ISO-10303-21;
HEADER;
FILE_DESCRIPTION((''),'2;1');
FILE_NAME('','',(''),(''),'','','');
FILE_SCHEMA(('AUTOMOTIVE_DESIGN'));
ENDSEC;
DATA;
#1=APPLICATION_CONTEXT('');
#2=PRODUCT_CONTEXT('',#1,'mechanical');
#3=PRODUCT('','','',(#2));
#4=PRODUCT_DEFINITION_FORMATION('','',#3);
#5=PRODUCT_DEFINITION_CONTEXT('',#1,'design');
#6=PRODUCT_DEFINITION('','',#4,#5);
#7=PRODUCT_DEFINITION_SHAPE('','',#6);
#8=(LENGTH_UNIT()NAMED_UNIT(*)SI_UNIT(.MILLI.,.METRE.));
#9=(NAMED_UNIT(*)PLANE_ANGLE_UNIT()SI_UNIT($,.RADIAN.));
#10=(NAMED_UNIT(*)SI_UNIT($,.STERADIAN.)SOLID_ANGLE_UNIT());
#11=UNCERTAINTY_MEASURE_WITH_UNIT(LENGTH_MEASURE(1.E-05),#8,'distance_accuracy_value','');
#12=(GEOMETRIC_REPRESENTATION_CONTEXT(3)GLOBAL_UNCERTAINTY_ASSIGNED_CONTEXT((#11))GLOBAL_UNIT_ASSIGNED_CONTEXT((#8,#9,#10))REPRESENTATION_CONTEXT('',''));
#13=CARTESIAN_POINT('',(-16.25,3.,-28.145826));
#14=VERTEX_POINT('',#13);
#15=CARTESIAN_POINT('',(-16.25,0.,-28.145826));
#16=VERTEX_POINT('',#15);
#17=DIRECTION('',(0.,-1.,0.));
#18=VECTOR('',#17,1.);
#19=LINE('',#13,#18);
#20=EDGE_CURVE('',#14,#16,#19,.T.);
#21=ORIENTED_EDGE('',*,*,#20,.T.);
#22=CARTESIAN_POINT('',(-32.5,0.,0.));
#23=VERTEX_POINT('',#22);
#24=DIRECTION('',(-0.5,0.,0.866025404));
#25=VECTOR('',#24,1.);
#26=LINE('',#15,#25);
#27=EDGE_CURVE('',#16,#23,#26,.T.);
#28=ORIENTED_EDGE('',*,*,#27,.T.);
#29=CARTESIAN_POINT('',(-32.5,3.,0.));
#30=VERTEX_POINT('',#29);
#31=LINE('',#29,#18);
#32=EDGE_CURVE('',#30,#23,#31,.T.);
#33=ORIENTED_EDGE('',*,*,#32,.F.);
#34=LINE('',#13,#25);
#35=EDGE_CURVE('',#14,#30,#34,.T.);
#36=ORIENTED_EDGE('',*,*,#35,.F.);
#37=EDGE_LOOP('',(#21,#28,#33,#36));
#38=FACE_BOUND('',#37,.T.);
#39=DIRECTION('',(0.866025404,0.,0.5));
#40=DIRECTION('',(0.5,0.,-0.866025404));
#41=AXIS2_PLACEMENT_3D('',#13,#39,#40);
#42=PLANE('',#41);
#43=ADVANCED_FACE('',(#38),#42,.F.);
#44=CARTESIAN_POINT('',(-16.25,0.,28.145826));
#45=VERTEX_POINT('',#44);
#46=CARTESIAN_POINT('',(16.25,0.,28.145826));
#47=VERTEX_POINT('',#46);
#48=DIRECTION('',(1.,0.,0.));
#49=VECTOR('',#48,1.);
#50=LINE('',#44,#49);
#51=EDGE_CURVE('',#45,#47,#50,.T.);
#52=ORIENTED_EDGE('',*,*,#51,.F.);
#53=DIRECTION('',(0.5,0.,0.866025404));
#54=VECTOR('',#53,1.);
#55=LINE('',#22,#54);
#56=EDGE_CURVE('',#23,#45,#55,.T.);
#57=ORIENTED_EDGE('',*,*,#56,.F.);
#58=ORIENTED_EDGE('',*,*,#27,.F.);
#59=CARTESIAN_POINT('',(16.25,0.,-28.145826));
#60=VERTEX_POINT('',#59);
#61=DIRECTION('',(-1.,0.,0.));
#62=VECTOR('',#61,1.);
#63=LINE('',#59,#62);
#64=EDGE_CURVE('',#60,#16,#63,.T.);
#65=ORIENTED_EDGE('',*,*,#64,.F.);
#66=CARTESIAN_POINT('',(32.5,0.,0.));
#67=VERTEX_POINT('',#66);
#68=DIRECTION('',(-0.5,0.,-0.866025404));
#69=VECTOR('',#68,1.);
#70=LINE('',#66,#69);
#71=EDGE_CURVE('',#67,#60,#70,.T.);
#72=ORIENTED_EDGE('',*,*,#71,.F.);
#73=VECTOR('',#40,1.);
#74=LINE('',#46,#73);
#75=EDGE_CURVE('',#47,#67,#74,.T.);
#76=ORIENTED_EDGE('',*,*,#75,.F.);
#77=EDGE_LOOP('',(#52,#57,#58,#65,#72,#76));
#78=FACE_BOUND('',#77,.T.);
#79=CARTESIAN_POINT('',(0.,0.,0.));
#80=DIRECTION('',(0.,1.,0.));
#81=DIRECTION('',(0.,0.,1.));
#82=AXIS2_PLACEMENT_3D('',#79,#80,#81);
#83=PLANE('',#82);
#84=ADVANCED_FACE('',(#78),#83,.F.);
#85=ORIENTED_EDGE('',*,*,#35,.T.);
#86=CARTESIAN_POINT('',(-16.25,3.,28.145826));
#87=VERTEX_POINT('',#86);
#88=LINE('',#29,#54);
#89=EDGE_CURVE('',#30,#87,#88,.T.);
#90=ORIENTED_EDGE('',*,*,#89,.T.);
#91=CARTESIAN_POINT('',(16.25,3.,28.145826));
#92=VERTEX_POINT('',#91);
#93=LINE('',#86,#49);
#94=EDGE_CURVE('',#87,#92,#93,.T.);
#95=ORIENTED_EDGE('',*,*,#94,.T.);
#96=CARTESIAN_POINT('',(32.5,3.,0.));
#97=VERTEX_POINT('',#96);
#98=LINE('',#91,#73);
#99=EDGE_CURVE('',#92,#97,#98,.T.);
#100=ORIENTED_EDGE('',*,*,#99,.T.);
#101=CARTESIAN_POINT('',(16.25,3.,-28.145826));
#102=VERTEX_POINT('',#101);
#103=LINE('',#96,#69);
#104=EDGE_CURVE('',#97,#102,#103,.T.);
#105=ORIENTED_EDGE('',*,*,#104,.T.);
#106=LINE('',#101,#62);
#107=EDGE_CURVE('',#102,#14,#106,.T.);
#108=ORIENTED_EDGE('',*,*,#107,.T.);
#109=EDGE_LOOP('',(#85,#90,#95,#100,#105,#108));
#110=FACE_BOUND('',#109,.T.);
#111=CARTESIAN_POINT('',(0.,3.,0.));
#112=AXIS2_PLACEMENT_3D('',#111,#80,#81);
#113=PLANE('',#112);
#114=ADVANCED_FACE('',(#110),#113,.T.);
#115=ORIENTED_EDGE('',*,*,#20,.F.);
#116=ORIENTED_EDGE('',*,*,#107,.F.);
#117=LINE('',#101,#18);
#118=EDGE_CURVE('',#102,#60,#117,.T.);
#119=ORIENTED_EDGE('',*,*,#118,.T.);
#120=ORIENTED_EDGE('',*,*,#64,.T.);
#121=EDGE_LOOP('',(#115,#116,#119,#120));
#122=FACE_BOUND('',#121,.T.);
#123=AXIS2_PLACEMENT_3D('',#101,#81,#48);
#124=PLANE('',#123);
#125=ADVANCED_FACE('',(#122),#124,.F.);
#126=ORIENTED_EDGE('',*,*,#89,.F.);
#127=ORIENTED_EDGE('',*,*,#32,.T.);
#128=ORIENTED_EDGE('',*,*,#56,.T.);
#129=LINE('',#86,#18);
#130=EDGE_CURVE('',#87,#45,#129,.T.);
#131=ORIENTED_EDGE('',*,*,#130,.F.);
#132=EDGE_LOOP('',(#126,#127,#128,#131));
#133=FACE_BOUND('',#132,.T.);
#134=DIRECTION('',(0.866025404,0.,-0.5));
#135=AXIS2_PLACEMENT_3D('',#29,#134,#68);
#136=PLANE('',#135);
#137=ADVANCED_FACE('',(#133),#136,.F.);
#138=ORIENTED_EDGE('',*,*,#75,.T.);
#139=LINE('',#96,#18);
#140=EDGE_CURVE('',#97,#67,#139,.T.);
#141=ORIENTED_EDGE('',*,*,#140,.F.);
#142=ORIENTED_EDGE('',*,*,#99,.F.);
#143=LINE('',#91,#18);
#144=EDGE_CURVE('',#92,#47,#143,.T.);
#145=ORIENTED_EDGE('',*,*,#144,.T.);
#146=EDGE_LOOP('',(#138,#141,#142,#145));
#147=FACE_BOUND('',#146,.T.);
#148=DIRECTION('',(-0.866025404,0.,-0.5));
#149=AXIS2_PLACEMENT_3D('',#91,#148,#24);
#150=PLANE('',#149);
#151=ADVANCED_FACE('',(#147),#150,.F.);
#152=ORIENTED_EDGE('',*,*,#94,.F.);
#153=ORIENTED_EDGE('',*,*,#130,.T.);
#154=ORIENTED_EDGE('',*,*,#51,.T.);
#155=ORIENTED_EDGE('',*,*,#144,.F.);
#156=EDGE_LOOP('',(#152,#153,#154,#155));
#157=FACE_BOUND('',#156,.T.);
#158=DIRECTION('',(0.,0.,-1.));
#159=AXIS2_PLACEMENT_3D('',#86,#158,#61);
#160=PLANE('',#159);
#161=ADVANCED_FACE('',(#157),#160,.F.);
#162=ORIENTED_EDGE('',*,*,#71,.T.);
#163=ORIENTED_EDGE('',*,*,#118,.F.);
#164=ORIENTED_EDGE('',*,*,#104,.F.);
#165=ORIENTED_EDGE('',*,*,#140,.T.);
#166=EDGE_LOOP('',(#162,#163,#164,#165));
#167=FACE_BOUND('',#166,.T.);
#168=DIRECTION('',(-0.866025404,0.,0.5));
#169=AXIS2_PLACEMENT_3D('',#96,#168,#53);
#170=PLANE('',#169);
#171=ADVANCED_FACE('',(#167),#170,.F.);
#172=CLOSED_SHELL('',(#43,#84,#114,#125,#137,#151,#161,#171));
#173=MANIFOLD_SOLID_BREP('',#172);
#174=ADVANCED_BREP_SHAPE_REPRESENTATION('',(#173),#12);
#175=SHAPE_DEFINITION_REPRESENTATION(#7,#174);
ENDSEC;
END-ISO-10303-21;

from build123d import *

# Parameters (mm, degrees)
SALIENTE_EXTRUIR1_DEPTH = 3


with BuildPart() as part:
    # Croquis1 → Saliente-Extruir1 (new body)
    with BuildSketch(Plane(origin=(0, 0, 0), x_dir=(1, 0, 0), z_dir=(0, 1, 0))):
        Polygon((-32.5, 0), (-16.25, -28.145825623), (16.25, -28.145825623), (32.5, 0), (16.25, 28.145825623), (-16.25, 28.145825623), align=None)
    extrude(amount=SALIENTE_EXTRUIR1_DEPTH)


solid = part.part
